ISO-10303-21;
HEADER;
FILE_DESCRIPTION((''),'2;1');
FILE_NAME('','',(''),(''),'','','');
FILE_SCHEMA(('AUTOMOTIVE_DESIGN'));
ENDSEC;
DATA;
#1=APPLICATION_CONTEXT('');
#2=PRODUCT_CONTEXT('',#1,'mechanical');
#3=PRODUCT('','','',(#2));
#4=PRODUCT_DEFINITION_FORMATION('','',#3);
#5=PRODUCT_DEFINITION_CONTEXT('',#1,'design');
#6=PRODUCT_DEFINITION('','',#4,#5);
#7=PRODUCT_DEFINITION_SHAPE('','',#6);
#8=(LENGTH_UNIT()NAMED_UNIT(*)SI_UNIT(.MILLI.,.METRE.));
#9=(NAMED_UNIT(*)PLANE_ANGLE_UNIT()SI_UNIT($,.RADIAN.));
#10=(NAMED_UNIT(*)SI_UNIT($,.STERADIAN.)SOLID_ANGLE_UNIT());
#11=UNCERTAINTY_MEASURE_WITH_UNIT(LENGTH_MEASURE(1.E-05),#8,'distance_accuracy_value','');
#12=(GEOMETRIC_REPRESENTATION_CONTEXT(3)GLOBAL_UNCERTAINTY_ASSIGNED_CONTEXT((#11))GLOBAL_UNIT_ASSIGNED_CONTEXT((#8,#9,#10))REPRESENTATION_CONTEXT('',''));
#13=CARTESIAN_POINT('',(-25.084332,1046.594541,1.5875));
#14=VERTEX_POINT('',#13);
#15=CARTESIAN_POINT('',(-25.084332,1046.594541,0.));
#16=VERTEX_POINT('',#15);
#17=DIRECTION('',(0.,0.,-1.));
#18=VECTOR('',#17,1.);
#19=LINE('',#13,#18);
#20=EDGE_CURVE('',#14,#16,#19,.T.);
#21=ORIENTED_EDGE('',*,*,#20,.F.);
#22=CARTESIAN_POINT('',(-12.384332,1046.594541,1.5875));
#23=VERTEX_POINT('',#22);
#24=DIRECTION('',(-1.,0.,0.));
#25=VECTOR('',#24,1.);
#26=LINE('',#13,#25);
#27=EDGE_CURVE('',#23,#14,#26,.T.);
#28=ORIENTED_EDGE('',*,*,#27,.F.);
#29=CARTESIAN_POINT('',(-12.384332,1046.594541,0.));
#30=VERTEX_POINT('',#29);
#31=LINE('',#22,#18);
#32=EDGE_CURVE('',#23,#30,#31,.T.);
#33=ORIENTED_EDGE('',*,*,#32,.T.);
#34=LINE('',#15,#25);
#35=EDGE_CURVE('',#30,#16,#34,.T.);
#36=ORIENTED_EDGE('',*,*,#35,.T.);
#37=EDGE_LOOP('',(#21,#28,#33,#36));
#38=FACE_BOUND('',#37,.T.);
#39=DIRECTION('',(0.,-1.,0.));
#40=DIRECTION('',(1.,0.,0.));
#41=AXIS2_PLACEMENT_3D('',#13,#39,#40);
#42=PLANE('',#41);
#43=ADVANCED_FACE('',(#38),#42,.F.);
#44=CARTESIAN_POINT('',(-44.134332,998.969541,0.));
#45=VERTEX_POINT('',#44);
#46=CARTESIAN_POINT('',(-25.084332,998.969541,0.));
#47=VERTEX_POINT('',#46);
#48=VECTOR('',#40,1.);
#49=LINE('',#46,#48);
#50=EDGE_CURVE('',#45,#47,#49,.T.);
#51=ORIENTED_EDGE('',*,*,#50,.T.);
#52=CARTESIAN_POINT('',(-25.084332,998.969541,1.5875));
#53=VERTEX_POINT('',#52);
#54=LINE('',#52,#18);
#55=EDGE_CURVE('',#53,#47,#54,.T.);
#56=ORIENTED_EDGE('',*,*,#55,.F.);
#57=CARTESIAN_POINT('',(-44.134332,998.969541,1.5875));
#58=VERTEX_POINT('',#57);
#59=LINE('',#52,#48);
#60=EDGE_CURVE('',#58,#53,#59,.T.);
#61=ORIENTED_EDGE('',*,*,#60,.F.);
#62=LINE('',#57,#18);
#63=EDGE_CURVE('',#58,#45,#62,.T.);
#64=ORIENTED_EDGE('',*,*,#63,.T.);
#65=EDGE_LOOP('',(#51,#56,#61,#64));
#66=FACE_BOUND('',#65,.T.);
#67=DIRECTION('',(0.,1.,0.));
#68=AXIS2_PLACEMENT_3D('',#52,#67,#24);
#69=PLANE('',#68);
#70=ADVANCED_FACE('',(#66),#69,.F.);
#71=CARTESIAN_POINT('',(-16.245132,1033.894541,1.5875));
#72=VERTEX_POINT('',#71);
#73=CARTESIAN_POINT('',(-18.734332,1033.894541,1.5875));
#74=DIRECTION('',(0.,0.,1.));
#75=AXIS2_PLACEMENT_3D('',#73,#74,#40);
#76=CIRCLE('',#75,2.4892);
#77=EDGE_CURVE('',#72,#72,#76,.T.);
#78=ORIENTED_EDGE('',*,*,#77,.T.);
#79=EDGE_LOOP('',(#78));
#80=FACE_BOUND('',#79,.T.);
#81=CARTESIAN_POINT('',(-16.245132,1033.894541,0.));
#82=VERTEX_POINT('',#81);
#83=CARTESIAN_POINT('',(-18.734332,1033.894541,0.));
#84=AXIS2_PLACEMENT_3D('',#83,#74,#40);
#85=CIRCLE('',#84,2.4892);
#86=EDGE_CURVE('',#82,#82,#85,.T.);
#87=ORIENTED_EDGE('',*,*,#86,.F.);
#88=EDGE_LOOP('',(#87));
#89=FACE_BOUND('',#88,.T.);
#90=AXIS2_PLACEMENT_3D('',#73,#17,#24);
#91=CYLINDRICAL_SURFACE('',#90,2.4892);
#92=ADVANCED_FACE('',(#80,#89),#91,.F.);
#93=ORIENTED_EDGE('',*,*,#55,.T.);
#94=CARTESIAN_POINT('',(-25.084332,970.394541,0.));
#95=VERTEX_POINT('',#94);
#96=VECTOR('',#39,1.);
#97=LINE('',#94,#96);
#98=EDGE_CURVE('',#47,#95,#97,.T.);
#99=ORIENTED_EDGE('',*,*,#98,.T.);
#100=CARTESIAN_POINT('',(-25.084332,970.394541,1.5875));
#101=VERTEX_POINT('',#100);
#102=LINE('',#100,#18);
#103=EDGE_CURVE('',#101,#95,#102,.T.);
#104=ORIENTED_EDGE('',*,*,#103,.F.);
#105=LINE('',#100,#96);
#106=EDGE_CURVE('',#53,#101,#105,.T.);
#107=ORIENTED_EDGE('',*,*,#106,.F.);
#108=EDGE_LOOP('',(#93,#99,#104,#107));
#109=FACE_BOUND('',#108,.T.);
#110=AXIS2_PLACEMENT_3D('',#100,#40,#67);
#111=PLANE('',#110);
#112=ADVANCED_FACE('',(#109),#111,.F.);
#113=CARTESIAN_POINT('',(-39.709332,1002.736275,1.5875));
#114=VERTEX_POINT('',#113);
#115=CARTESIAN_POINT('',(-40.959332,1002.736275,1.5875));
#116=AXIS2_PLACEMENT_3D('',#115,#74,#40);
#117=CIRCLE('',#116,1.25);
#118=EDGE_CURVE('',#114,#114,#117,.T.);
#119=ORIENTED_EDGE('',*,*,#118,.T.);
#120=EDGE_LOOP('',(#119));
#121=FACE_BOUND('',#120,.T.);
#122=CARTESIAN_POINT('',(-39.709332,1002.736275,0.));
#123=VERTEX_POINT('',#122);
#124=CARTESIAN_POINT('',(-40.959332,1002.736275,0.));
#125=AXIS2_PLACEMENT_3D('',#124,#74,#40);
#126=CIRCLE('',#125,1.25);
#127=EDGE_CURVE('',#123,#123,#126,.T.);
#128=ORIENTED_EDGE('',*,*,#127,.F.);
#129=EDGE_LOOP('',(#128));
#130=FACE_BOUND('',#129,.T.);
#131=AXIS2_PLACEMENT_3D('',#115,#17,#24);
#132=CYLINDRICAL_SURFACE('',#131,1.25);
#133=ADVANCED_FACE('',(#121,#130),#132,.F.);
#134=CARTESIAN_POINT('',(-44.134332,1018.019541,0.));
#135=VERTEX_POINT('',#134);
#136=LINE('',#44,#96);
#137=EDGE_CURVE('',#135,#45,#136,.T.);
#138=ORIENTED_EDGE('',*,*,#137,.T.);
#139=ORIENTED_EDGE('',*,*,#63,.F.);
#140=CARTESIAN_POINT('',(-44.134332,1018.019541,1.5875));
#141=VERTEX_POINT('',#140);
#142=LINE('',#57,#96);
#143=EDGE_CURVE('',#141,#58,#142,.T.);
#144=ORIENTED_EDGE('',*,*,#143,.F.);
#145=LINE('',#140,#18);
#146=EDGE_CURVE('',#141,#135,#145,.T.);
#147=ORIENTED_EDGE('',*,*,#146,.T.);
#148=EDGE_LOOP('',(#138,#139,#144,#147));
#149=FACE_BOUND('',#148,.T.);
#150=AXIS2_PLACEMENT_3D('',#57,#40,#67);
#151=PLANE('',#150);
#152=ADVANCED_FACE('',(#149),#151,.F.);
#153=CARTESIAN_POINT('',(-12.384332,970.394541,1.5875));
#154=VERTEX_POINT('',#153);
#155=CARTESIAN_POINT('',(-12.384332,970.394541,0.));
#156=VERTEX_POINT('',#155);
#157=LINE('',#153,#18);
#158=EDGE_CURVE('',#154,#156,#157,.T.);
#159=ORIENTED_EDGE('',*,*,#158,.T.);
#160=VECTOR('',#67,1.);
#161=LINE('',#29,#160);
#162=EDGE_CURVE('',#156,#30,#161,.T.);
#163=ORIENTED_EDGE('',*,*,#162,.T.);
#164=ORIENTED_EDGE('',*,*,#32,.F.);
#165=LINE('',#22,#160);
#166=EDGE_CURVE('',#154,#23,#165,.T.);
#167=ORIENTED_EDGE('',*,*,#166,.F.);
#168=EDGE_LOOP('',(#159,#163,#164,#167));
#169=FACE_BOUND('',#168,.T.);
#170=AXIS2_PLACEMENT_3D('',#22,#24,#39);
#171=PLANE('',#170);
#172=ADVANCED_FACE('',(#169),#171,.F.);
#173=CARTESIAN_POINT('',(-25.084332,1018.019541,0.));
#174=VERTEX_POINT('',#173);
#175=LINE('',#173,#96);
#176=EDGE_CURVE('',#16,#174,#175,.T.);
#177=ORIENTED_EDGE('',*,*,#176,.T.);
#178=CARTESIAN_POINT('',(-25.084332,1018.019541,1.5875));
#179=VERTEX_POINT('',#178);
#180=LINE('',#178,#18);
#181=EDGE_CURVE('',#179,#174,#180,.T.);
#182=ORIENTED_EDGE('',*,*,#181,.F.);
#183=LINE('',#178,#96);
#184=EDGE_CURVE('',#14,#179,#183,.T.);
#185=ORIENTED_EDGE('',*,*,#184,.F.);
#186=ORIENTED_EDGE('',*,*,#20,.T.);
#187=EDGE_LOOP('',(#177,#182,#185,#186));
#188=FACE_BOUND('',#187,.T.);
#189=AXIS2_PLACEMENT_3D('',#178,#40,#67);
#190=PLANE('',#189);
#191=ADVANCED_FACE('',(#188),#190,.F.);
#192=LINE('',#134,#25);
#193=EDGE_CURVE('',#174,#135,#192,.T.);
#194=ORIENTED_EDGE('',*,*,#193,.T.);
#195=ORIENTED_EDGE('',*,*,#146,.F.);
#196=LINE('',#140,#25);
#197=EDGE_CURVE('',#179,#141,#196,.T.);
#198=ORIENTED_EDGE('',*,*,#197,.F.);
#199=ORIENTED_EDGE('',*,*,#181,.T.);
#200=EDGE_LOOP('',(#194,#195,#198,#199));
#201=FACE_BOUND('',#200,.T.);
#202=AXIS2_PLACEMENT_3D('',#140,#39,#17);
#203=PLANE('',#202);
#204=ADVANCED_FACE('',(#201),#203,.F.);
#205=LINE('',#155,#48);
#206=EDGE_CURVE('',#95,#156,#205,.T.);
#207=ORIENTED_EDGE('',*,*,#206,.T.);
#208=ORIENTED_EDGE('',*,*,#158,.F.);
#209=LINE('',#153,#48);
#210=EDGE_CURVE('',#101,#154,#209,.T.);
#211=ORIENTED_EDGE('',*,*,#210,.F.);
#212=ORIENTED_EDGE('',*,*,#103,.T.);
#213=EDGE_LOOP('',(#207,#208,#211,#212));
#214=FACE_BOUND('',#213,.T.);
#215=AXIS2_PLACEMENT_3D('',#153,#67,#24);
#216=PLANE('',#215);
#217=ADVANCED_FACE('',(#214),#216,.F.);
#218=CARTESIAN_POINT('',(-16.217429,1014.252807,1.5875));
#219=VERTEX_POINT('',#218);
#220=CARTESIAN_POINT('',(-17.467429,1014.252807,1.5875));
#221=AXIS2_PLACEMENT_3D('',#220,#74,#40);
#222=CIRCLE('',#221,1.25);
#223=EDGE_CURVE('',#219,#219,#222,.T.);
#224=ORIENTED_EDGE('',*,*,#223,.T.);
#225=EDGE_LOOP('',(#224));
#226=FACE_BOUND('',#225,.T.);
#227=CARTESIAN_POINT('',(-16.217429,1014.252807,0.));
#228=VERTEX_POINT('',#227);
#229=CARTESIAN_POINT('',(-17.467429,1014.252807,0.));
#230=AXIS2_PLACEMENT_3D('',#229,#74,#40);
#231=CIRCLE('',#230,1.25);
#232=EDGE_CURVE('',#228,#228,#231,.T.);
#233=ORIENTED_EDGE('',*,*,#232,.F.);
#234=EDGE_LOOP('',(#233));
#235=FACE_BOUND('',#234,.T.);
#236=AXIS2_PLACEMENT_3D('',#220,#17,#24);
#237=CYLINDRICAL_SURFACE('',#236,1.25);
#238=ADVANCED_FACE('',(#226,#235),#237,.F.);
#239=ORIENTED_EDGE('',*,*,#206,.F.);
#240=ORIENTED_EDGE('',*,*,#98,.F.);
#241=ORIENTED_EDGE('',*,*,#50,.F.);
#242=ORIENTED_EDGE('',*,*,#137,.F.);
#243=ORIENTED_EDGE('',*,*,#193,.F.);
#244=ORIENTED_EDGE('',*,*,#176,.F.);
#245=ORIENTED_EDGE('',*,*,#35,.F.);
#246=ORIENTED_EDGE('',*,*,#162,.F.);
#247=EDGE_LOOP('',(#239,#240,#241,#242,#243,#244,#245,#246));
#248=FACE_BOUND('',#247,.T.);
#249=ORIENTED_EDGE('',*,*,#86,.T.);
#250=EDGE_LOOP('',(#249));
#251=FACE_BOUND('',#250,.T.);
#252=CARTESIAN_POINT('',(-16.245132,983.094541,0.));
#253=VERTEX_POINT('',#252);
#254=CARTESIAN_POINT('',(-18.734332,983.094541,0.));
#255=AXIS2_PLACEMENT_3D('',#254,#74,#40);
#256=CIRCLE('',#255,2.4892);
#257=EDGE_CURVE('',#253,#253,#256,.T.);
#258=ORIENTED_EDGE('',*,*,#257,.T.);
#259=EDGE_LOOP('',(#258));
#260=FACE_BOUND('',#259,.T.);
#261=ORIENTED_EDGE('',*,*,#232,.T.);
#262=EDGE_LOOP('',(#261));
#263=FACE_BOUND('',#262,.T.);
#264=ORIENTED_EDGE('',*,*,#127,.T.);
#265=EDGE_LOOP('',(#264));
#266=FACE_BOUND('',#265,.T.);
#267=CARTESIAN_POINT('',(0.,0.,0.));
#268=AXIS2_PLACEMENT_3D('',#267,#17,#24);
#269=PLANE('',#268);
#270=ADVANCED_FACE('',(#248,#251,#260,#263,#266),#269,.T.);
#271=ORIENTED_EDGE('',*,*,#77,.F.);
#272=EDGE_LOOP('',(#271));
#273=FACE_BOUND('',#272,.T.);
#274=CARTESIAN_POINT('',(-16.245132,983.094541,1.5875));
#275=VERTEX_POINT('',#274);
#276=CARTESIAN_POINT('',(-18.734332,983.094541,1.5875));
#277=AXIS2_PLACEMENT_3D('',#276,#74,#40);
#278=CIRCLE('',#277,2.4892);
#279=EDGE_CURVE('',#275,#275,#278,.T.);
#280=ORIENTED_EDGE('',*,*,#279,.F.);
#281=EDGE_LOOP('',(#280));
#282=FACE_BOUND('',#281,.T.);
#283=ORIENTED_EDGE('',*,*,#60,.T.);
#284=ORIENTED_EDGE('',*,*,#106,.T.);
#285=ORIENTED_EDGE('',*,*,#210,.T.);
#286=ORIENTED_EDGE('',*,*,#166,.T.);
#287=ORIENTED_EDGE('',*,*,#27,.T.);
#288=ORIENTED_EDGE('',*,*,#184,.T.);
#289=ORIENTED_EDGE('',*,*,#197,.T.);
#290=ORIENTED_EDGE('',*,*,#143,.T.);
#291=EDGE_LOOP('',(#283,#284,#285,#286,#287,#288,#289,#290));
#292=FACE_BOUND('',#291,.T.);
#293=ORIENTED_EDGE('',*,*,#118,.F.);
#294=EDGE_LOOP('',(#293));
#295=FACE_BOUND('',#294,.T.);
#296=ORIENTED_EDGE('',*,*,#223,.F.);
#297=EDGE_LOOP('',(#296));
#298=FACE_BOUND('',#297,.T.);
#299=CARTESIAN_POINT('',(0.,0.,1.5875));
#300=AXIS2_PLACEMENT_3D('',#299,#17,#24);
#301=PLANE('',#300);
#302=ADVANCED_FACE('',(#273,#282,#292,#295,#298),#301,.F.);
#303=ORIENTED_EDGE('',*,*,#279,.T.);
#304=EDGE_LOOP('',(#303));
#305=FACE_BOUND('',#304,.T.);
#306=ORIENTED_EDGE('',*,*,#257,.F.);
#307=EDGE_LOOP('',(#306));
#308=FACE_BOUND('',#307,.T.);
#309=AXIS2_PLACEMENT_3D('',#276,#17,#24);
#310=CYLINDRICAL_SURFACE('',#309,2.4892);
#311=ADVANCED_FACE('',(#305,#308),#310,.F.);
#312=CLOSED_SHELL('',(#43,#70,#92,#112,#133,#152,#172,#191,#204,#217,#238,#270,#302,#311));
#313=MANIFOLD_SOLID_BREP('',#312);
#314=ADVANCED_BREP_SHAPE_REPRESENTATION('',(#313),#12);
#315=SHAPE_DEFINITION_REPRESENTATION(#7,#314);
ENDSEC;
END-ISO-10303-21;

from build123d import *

# Parameters (mm, degrees)
SKETCH1_R           = 2.4892
SKETCH1_R_2         = 1.25
BOSS_EXTRUDE1_DEPTH = 1.5875


with BuildPart() as part:
    # Sketch1 → Boss-Extrude1 (new body)
    with BuildSketch(Plane.XY):
        Polygon((-12.384331799, 970.394541193), (-25.084331799, 970.394541193), (-25.084331799, 998.969541193), (-44.134331799, 998.969541193), (-44.134331799, 1018.019541193), (-25.084331799, 1018.019541193), (-25.084331799, 1046.594541193), (-12.384331799, 1046.594541193), align=None)
        with Locations((-18.734331799, 983.094541193)):
            Circle(SKETCH1_R, mode=Mode.SUBTRACT)
        with Locations((-18.734331799, 1033.894541193)):
            Circle(SKETCH1_R, mode=Mode.SUBTRACT)
        with Locations((-40.959331799, 1002.736275433)):
            Circle(SKETCH1_R_2, mode=Mode.SUBTRACT)
        with Locations((-17.467428821, 1014.252806953)):
            Circle(SKETCH1_R_2, mode=Mode.SUBTRACT)
    extrude(amount=BOSS_EXTRUDE1_DEPTH)


solid = part.part
